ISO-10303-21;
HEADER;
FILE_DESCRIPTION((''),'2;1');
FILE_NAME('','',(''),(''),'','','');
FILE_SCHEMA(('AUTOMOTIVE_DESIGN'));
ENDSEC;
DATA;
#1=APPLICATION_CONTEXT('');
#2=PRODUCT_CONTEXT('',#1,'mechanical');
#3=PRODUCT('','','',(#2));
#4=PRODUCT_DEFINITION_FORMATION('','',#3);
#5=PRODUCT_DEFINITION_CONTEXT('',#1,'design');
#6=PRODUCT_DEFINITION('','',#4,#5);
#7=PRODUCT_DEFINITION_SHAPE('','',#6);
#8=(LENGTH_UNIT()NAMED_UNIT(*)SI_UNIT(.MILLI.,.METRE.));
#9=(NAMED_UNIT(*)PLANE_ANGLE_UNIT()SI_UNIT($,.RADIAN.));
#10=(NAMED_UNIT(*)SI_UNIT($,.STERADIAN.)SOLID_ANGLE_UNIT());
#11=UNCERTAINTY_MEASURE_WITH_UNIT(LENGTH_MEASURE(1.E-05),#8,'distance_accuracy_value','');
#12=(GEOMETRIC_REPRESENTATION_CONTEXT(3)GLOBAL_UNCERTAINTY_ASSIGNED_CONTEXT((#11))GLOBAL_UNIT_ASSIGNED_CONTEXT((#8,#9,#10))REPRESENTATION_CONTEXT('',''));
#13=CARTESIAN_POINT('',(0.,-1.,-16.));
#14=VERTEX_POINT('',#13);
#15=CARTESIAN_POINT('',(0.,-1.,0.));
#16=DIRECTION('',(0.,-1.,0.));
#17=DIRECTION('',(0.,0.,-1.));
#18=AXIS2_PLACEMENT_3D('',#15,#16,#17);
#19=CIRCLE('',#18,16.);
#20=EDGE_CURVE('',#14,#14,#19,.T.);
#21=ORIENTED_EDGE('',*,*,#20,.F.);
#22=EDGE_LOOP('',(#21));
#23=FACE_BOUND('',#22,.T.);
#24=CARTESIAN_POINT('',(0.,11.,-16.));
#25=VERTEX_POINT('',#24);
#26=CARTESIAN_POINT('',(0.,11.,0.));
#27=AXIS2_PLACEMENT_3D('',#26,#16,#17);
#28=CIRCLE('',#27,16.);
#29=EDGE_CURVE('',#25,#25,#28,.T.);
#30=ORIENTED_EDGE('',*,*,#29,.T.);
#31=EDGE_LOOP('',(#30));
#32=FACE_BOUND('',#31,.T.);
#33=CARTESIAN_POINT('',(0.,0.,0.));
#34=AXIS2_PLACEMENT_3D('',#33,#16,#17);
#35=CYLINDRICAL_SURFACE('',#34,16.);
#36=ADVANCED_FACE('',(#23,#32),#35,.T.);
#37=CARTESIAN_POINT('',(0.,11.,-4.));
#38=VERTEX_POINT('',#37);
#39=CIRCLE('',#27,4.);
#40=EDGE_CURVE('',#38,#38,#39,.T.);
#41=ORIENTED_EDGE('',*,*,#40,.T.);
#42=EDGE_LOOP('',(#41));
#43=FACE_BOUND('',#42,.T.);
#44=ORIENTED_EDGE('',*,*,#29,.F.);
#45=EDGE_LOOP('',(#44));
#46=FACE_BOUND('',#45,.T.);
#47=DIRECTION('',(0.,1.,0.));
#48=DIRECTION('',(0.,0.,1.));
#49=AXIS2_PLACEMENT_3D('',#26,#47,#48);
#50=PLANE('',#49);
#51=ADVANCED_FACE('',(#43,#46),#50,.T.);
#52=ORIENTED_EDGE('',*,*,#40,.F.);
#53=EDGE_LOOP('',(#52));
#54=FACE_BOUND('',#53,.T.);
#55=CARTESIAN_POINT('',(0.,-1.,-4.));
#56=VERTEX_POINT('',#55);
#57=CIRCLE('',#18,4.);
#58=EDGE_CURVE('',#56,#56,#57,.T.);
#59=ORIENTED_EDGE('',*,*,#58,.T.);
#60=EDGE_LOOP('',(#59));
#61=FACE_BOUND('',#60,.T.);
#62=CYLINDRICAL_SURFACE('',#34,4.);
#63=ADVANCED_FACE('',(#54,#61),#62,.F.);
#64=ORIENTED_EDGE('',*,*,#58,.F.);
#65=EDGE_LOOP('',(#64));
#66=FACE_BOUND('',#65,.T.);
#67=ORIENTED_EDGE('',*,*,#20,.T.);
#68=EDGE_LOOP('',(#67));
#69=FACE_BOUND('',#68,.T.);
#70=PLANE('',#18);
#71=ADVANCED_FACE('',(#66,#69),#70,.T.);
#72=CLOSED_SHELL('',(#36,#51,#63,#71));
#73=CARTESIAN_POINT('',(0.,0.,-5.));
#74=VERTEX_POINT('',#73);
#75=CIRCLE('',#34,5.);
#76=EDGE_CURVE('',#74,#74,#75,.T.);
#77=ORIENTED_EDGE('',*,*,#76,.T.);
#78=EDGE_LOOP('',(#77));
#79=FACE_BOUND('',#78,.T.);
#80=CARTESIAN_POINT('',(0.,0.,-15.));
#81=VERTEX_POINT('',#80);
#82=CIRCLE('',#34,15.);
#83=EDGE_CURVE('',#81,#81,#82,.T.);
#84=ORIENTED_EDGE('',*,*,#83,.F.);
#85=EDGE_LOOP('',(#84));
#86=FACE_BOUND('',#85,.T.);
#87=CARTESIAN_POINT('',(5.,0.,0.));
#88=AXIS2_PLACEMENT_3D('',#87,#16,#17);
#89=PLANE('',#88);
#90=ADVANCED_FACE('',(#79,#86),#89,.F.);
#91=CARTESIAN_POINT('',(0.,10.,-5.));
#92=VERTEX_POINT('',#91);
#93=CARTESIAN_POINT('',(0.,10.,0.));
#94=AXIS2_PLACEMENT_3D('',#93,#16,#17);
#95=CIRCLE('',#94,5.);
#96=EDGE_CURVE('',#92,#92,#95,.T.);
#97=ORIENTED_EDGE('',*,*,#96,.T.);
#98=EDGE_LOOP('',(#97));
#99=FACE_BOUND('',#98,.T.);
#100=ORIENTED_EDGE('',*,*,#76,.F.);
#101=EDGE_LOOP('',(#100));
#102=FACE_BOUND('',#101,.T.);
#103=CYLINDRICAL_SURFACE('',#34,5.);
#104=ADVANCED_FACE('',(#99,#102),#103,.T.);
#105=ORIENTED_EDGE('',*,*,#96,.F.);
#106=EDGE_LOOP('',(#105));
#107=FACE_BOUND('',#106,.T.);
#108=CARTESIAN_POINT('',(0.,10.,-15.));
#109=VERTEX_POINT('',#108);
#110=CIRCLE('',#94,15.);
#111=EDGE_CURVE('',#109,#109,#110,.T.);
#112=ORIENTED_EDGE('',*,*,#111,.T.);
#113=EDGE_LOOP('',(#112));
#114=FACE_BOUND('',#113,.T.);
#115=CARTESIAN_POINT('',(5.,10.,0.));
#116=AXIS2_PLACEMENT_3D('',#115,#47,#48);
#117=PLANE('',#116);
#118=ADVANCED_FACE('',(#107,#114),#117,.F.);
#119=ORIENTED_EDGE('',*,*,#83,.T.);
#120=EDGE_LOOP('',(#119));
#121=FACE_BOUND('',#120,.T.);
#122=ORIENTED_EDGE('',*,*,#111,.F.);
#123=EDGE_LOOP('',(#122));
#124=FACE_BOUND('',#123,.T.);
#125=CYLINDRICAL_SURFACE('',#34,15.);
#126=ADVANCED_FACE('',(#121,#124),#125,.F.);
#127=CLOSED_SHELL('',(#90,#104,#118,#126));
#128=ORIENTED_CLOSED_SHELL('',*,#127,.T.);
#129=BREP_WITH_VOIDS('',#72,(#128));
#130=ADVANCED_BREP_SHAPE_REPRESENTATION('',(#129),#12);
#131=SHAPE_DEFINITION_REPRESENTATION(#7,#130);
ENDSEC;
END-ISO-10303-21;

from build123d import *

# Parameters (mm, degrees)
SKETCH_1_W   = 12
SKETCH_1_H   = 12
SKETCH_1_W_2 = 10
SKETCH_1_H_2 = 10


with BuildPart() as part:
    # 草图1 → ThinRevolve360 (revolve)
    with BuildSketch(Plane.XY, mode=Mode.PRIVATE) as thinrevolve360_sk:
        with Locations((10, 5)):
            Rectangle(SKETCH_1_W, SKETCH_1_H)
        with Locations((10, 5)):
            Rectangle(SKETCH_1_W_2, SKETCH_1_H_2, mode=Mode.SUBTRACT)
    revolve(thinrevolve360_sk.sketch.rotate(Axis((0, 0, 0), (0, 1, 0)), 90), axis=Axis((0, 0, 0), (0, 1, 0)))


solid = part.part
